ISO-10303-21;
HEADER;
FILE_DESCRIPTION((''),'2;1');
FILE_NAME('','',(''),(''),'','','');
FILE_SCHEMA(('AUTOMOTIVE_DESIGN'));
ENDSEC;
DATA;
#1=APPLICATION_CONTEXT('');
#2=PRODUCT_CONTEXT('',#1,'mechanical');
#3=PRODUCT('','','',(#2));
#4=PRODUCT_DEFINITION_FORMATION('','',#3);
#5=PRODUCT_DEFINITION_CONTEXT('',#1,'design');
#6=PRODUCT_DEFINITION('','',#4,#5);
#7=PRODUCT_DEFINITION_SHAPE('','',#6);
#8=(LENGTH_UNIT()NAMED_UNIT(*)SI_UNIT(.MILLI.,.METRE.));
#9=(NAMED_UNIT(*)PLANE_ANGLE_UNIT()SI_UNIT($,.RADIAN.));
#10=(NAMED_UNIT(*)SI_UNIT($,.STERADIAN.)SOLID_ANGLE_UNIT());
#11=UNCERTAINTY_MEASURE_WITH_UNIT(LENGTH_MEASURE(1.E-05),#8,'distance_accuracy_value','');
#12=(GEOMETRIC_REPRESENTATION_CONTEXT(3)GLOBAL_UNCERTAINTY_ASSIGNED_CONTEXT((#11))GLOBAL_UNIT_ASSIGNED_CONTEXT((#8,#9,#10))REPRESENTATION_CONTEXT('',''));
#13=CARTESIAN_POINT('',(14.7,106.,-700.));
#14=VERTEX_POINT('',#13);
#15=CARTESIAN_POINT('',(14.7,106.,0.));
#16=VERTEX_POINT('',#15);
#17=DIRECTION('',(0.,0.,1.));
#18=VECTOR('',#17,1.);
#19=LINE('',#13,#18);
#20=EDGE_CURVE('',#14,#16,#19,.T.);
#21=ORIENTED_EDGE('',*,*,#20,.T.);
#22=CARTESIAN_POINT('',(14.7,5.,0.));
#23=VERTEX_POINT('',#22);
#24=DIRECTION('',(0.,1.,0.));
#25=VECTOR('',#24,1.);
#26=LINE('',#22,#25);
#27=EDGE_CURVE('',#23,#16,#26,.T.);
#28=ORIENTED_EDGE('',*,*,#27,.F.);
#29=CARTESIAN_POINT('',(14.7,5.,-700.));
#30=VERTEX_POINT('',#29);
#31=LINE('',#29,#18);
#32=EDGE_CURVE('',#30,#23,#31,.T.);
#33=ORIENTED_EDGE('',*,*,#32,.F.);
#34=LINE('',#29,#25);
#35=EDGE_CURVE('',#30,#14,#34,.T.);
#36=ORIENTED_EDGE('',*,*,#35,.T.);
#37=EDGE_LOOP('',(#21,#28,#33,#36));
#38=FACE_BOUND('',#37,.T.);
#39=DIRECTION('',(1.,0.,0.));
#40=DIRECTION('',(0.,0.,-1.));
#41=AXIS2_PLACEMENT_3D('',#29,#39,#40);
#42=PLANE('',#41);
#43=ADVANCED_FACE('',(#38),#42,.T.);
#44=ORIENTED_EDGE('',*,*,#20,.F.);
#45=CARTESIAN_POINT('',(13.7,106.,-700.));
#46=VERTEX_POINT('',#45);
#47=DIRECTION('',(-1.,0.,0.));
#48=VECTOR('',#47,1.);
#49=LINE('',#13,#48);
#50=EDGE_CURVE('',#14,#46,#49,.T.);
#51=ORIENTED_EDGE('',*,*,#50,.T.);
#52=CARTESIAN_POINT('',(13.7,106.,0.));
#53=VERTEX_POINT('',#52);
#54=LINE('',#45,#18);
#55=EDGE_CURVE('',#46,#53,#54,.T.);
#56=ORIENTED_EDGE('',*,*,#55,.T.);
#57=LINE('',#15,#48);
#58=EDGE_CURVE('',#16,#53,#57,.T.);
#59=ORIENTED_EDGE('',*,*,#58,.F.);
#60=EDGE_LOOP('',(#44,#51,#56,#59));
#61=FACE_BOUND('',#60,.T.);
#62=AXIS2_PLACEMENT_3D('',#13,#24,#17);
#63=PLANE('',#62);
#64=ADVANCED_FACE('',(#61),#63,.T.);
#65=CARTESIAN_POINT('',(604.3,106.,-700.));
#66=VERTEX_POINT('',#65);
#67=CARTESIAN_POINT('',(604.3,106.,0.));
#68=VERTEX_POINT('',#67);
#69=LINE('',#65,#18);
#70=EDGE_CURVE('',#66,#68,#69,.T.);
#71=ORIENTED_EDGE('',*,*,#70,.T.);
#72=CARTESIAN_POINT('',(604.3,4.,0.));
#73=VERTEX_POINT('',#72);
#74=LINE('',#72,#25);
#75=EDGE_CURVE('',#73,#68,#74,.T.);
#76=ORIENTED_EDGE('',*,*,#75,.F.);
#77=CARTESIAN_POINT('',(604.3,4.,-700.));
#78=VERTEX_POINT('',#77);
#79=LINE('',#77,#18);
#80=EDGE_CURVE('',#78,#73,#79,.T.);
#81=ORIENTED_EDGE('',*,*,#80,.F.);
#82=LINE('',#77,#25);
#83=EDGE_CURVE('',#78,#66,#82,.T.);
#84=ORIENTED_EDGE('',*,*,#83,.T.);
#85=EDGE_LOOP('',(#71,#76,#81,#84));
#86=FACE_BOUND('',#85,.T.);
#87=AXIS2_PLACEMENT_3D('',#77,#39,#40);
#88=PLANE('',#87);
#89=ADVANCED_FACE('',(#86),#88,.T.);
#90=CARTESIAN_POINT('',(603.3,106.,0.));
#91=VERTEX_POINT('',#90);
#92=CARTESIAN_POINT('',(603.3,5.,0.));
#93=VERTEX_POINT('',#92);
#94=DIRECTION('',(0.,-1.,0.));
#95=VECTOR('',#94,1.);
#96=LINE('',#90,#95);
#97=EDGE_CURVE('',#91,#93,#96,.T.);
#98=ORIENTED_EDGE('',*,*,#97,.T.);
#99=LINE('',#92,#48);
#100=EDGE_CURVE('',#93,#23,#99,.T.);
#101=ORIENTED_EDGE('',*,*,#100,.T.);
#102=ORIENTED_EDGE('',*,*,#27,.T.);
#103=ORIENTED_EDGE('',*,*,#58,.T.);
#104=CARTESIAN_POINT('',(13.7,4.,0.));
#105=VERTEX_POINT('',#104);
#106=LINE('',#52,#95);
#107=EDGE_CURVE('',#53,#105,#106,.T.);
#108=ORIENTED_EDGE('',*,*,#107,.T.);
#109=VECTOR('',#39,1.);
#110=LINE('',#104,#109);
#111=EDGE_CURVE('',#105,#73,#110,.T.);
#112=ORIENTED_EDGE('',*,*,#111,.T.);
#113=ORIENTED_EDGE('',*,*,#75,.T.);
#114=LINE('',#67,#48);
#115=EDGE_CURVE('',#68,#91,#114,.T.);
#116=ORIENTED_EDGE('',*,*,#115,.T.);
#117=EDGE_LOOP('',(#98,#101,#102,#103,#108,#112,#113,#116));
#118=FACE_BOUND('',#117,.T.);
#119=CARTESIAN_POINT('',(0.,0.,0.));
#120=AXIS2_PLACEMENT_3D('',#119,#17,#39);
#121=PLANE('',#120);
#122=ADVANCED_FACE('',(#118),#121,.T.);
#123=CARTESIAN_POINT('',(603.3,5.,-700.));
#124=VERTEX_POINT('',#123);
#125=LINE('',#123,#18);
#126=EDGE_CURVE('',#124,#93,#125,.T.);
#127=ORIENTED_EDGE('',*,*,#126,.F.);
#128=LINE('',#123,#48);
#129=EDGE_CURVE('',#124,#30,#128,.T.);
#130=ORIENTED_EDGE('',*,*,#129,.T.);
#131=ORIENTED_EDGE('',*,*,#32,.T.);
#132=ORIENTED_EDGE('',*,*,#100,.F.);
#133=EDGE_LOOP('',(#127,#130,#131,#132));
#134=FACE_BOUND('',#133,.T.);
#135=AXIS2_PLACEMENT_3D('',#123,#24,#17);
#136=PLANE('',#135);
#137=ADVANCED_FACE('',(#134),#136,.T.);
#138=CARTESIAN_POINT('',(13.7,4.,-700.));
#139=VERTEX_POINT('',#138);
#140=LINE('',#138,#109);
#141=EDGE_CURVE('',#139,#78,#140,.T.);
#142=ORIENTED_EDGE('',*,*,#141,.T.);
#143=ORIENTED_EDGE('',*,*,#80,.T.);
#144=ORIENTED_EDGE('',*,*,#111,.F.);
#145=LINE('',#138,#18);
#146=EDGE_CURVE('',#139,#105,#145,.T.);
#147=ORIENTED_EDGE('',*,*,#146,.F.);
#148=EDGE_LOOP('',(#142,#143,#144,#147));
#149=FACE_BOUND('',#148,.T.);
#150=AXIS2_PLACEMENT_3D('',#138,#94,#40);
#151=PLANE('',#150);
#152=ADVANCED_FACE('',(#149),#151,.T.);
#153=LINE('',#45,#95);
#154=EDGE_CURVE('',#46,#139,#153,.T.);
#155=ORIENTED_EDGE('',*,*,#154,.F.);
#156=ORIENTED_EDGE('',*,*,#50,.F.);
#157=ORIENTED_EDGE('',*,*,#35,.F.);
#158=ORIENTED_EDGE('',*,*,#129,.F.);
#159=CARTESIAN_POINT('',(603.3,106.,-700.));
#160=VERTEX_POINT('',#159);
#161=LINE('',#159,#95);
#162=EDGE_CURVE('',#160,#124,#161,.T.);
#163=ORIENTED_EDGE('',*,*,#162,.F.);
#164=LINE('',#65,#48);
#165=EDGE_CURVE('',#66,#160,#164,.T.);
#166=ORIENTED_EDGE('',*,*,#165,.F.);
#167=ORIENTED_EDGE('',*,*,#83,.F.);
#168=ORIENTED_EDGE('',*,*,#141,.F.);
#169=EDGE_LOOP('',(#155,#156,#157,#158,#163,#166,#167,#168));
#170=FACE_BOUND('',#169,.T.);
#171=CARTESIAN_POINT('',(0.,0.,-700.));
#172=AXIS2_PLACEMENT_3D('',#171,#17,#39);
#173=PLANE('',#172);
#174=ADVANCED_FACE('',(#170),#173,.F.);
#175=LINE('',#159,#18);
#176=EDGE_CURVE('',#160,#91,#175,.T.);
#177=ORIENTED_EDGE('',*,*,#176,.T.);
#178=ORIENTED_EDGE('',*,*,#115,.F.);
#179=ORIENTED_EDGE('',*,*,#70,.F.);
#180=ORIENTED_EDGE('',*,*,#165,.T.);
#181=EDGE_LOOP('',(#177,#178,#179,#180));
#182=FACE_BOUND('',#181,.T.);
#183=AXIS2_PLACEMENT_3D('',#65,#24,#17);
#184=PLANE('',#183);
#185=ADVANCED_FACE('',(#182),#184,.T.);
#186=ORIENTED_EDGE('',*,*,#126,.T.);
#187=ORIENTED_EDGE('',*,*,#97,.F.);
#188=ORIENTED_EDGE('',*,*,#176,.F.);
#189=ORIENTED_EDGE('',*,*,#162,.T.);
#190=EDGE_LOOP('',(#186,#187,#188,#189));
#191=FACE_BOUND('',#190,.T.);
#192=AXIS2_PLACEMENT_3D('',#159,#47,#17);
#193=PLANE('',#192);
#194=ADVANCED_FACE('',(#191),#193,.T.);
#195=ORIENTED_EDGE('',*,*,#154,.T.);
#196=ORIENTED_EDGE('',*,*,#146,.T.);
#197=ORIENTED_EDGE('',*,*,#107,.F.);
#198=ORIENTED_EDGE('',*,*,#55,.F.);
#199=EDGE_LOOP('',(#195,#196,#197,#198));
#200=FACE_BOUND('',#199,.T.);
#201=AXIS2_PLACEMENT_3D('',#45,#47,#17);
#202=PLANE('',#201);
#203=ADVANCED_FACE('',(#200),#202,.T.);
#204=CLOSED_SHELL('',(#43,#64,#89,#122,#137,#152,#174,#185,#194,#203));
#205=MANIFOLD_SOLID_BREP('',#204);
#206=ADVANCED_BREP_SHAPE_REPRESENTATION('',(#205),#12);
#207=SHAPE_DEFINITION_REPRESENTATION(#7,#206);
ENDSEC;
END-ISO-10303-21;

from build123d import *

# Parameters (mm, degrees)
CEK_ICECEK_KUTU_U_1_0_1_DEPTH = 700


with BuildPart() as part:
    # Sketch1 → CEK_icecek_kutu_U_1.0_1 (new body)
    with BuildSketch(Plane.XY):
        Polygon((13.7, 106), (13.7, 4), (604.3, 4), (604.3, 106), (603.3, 106), (603.3, 5), (14.7, 5), (14.7, 106), align=None)
    extrude(amount=-CEK_ICECEK_KUTU_U_1_0_1_DEPTH)


solid = part.part
